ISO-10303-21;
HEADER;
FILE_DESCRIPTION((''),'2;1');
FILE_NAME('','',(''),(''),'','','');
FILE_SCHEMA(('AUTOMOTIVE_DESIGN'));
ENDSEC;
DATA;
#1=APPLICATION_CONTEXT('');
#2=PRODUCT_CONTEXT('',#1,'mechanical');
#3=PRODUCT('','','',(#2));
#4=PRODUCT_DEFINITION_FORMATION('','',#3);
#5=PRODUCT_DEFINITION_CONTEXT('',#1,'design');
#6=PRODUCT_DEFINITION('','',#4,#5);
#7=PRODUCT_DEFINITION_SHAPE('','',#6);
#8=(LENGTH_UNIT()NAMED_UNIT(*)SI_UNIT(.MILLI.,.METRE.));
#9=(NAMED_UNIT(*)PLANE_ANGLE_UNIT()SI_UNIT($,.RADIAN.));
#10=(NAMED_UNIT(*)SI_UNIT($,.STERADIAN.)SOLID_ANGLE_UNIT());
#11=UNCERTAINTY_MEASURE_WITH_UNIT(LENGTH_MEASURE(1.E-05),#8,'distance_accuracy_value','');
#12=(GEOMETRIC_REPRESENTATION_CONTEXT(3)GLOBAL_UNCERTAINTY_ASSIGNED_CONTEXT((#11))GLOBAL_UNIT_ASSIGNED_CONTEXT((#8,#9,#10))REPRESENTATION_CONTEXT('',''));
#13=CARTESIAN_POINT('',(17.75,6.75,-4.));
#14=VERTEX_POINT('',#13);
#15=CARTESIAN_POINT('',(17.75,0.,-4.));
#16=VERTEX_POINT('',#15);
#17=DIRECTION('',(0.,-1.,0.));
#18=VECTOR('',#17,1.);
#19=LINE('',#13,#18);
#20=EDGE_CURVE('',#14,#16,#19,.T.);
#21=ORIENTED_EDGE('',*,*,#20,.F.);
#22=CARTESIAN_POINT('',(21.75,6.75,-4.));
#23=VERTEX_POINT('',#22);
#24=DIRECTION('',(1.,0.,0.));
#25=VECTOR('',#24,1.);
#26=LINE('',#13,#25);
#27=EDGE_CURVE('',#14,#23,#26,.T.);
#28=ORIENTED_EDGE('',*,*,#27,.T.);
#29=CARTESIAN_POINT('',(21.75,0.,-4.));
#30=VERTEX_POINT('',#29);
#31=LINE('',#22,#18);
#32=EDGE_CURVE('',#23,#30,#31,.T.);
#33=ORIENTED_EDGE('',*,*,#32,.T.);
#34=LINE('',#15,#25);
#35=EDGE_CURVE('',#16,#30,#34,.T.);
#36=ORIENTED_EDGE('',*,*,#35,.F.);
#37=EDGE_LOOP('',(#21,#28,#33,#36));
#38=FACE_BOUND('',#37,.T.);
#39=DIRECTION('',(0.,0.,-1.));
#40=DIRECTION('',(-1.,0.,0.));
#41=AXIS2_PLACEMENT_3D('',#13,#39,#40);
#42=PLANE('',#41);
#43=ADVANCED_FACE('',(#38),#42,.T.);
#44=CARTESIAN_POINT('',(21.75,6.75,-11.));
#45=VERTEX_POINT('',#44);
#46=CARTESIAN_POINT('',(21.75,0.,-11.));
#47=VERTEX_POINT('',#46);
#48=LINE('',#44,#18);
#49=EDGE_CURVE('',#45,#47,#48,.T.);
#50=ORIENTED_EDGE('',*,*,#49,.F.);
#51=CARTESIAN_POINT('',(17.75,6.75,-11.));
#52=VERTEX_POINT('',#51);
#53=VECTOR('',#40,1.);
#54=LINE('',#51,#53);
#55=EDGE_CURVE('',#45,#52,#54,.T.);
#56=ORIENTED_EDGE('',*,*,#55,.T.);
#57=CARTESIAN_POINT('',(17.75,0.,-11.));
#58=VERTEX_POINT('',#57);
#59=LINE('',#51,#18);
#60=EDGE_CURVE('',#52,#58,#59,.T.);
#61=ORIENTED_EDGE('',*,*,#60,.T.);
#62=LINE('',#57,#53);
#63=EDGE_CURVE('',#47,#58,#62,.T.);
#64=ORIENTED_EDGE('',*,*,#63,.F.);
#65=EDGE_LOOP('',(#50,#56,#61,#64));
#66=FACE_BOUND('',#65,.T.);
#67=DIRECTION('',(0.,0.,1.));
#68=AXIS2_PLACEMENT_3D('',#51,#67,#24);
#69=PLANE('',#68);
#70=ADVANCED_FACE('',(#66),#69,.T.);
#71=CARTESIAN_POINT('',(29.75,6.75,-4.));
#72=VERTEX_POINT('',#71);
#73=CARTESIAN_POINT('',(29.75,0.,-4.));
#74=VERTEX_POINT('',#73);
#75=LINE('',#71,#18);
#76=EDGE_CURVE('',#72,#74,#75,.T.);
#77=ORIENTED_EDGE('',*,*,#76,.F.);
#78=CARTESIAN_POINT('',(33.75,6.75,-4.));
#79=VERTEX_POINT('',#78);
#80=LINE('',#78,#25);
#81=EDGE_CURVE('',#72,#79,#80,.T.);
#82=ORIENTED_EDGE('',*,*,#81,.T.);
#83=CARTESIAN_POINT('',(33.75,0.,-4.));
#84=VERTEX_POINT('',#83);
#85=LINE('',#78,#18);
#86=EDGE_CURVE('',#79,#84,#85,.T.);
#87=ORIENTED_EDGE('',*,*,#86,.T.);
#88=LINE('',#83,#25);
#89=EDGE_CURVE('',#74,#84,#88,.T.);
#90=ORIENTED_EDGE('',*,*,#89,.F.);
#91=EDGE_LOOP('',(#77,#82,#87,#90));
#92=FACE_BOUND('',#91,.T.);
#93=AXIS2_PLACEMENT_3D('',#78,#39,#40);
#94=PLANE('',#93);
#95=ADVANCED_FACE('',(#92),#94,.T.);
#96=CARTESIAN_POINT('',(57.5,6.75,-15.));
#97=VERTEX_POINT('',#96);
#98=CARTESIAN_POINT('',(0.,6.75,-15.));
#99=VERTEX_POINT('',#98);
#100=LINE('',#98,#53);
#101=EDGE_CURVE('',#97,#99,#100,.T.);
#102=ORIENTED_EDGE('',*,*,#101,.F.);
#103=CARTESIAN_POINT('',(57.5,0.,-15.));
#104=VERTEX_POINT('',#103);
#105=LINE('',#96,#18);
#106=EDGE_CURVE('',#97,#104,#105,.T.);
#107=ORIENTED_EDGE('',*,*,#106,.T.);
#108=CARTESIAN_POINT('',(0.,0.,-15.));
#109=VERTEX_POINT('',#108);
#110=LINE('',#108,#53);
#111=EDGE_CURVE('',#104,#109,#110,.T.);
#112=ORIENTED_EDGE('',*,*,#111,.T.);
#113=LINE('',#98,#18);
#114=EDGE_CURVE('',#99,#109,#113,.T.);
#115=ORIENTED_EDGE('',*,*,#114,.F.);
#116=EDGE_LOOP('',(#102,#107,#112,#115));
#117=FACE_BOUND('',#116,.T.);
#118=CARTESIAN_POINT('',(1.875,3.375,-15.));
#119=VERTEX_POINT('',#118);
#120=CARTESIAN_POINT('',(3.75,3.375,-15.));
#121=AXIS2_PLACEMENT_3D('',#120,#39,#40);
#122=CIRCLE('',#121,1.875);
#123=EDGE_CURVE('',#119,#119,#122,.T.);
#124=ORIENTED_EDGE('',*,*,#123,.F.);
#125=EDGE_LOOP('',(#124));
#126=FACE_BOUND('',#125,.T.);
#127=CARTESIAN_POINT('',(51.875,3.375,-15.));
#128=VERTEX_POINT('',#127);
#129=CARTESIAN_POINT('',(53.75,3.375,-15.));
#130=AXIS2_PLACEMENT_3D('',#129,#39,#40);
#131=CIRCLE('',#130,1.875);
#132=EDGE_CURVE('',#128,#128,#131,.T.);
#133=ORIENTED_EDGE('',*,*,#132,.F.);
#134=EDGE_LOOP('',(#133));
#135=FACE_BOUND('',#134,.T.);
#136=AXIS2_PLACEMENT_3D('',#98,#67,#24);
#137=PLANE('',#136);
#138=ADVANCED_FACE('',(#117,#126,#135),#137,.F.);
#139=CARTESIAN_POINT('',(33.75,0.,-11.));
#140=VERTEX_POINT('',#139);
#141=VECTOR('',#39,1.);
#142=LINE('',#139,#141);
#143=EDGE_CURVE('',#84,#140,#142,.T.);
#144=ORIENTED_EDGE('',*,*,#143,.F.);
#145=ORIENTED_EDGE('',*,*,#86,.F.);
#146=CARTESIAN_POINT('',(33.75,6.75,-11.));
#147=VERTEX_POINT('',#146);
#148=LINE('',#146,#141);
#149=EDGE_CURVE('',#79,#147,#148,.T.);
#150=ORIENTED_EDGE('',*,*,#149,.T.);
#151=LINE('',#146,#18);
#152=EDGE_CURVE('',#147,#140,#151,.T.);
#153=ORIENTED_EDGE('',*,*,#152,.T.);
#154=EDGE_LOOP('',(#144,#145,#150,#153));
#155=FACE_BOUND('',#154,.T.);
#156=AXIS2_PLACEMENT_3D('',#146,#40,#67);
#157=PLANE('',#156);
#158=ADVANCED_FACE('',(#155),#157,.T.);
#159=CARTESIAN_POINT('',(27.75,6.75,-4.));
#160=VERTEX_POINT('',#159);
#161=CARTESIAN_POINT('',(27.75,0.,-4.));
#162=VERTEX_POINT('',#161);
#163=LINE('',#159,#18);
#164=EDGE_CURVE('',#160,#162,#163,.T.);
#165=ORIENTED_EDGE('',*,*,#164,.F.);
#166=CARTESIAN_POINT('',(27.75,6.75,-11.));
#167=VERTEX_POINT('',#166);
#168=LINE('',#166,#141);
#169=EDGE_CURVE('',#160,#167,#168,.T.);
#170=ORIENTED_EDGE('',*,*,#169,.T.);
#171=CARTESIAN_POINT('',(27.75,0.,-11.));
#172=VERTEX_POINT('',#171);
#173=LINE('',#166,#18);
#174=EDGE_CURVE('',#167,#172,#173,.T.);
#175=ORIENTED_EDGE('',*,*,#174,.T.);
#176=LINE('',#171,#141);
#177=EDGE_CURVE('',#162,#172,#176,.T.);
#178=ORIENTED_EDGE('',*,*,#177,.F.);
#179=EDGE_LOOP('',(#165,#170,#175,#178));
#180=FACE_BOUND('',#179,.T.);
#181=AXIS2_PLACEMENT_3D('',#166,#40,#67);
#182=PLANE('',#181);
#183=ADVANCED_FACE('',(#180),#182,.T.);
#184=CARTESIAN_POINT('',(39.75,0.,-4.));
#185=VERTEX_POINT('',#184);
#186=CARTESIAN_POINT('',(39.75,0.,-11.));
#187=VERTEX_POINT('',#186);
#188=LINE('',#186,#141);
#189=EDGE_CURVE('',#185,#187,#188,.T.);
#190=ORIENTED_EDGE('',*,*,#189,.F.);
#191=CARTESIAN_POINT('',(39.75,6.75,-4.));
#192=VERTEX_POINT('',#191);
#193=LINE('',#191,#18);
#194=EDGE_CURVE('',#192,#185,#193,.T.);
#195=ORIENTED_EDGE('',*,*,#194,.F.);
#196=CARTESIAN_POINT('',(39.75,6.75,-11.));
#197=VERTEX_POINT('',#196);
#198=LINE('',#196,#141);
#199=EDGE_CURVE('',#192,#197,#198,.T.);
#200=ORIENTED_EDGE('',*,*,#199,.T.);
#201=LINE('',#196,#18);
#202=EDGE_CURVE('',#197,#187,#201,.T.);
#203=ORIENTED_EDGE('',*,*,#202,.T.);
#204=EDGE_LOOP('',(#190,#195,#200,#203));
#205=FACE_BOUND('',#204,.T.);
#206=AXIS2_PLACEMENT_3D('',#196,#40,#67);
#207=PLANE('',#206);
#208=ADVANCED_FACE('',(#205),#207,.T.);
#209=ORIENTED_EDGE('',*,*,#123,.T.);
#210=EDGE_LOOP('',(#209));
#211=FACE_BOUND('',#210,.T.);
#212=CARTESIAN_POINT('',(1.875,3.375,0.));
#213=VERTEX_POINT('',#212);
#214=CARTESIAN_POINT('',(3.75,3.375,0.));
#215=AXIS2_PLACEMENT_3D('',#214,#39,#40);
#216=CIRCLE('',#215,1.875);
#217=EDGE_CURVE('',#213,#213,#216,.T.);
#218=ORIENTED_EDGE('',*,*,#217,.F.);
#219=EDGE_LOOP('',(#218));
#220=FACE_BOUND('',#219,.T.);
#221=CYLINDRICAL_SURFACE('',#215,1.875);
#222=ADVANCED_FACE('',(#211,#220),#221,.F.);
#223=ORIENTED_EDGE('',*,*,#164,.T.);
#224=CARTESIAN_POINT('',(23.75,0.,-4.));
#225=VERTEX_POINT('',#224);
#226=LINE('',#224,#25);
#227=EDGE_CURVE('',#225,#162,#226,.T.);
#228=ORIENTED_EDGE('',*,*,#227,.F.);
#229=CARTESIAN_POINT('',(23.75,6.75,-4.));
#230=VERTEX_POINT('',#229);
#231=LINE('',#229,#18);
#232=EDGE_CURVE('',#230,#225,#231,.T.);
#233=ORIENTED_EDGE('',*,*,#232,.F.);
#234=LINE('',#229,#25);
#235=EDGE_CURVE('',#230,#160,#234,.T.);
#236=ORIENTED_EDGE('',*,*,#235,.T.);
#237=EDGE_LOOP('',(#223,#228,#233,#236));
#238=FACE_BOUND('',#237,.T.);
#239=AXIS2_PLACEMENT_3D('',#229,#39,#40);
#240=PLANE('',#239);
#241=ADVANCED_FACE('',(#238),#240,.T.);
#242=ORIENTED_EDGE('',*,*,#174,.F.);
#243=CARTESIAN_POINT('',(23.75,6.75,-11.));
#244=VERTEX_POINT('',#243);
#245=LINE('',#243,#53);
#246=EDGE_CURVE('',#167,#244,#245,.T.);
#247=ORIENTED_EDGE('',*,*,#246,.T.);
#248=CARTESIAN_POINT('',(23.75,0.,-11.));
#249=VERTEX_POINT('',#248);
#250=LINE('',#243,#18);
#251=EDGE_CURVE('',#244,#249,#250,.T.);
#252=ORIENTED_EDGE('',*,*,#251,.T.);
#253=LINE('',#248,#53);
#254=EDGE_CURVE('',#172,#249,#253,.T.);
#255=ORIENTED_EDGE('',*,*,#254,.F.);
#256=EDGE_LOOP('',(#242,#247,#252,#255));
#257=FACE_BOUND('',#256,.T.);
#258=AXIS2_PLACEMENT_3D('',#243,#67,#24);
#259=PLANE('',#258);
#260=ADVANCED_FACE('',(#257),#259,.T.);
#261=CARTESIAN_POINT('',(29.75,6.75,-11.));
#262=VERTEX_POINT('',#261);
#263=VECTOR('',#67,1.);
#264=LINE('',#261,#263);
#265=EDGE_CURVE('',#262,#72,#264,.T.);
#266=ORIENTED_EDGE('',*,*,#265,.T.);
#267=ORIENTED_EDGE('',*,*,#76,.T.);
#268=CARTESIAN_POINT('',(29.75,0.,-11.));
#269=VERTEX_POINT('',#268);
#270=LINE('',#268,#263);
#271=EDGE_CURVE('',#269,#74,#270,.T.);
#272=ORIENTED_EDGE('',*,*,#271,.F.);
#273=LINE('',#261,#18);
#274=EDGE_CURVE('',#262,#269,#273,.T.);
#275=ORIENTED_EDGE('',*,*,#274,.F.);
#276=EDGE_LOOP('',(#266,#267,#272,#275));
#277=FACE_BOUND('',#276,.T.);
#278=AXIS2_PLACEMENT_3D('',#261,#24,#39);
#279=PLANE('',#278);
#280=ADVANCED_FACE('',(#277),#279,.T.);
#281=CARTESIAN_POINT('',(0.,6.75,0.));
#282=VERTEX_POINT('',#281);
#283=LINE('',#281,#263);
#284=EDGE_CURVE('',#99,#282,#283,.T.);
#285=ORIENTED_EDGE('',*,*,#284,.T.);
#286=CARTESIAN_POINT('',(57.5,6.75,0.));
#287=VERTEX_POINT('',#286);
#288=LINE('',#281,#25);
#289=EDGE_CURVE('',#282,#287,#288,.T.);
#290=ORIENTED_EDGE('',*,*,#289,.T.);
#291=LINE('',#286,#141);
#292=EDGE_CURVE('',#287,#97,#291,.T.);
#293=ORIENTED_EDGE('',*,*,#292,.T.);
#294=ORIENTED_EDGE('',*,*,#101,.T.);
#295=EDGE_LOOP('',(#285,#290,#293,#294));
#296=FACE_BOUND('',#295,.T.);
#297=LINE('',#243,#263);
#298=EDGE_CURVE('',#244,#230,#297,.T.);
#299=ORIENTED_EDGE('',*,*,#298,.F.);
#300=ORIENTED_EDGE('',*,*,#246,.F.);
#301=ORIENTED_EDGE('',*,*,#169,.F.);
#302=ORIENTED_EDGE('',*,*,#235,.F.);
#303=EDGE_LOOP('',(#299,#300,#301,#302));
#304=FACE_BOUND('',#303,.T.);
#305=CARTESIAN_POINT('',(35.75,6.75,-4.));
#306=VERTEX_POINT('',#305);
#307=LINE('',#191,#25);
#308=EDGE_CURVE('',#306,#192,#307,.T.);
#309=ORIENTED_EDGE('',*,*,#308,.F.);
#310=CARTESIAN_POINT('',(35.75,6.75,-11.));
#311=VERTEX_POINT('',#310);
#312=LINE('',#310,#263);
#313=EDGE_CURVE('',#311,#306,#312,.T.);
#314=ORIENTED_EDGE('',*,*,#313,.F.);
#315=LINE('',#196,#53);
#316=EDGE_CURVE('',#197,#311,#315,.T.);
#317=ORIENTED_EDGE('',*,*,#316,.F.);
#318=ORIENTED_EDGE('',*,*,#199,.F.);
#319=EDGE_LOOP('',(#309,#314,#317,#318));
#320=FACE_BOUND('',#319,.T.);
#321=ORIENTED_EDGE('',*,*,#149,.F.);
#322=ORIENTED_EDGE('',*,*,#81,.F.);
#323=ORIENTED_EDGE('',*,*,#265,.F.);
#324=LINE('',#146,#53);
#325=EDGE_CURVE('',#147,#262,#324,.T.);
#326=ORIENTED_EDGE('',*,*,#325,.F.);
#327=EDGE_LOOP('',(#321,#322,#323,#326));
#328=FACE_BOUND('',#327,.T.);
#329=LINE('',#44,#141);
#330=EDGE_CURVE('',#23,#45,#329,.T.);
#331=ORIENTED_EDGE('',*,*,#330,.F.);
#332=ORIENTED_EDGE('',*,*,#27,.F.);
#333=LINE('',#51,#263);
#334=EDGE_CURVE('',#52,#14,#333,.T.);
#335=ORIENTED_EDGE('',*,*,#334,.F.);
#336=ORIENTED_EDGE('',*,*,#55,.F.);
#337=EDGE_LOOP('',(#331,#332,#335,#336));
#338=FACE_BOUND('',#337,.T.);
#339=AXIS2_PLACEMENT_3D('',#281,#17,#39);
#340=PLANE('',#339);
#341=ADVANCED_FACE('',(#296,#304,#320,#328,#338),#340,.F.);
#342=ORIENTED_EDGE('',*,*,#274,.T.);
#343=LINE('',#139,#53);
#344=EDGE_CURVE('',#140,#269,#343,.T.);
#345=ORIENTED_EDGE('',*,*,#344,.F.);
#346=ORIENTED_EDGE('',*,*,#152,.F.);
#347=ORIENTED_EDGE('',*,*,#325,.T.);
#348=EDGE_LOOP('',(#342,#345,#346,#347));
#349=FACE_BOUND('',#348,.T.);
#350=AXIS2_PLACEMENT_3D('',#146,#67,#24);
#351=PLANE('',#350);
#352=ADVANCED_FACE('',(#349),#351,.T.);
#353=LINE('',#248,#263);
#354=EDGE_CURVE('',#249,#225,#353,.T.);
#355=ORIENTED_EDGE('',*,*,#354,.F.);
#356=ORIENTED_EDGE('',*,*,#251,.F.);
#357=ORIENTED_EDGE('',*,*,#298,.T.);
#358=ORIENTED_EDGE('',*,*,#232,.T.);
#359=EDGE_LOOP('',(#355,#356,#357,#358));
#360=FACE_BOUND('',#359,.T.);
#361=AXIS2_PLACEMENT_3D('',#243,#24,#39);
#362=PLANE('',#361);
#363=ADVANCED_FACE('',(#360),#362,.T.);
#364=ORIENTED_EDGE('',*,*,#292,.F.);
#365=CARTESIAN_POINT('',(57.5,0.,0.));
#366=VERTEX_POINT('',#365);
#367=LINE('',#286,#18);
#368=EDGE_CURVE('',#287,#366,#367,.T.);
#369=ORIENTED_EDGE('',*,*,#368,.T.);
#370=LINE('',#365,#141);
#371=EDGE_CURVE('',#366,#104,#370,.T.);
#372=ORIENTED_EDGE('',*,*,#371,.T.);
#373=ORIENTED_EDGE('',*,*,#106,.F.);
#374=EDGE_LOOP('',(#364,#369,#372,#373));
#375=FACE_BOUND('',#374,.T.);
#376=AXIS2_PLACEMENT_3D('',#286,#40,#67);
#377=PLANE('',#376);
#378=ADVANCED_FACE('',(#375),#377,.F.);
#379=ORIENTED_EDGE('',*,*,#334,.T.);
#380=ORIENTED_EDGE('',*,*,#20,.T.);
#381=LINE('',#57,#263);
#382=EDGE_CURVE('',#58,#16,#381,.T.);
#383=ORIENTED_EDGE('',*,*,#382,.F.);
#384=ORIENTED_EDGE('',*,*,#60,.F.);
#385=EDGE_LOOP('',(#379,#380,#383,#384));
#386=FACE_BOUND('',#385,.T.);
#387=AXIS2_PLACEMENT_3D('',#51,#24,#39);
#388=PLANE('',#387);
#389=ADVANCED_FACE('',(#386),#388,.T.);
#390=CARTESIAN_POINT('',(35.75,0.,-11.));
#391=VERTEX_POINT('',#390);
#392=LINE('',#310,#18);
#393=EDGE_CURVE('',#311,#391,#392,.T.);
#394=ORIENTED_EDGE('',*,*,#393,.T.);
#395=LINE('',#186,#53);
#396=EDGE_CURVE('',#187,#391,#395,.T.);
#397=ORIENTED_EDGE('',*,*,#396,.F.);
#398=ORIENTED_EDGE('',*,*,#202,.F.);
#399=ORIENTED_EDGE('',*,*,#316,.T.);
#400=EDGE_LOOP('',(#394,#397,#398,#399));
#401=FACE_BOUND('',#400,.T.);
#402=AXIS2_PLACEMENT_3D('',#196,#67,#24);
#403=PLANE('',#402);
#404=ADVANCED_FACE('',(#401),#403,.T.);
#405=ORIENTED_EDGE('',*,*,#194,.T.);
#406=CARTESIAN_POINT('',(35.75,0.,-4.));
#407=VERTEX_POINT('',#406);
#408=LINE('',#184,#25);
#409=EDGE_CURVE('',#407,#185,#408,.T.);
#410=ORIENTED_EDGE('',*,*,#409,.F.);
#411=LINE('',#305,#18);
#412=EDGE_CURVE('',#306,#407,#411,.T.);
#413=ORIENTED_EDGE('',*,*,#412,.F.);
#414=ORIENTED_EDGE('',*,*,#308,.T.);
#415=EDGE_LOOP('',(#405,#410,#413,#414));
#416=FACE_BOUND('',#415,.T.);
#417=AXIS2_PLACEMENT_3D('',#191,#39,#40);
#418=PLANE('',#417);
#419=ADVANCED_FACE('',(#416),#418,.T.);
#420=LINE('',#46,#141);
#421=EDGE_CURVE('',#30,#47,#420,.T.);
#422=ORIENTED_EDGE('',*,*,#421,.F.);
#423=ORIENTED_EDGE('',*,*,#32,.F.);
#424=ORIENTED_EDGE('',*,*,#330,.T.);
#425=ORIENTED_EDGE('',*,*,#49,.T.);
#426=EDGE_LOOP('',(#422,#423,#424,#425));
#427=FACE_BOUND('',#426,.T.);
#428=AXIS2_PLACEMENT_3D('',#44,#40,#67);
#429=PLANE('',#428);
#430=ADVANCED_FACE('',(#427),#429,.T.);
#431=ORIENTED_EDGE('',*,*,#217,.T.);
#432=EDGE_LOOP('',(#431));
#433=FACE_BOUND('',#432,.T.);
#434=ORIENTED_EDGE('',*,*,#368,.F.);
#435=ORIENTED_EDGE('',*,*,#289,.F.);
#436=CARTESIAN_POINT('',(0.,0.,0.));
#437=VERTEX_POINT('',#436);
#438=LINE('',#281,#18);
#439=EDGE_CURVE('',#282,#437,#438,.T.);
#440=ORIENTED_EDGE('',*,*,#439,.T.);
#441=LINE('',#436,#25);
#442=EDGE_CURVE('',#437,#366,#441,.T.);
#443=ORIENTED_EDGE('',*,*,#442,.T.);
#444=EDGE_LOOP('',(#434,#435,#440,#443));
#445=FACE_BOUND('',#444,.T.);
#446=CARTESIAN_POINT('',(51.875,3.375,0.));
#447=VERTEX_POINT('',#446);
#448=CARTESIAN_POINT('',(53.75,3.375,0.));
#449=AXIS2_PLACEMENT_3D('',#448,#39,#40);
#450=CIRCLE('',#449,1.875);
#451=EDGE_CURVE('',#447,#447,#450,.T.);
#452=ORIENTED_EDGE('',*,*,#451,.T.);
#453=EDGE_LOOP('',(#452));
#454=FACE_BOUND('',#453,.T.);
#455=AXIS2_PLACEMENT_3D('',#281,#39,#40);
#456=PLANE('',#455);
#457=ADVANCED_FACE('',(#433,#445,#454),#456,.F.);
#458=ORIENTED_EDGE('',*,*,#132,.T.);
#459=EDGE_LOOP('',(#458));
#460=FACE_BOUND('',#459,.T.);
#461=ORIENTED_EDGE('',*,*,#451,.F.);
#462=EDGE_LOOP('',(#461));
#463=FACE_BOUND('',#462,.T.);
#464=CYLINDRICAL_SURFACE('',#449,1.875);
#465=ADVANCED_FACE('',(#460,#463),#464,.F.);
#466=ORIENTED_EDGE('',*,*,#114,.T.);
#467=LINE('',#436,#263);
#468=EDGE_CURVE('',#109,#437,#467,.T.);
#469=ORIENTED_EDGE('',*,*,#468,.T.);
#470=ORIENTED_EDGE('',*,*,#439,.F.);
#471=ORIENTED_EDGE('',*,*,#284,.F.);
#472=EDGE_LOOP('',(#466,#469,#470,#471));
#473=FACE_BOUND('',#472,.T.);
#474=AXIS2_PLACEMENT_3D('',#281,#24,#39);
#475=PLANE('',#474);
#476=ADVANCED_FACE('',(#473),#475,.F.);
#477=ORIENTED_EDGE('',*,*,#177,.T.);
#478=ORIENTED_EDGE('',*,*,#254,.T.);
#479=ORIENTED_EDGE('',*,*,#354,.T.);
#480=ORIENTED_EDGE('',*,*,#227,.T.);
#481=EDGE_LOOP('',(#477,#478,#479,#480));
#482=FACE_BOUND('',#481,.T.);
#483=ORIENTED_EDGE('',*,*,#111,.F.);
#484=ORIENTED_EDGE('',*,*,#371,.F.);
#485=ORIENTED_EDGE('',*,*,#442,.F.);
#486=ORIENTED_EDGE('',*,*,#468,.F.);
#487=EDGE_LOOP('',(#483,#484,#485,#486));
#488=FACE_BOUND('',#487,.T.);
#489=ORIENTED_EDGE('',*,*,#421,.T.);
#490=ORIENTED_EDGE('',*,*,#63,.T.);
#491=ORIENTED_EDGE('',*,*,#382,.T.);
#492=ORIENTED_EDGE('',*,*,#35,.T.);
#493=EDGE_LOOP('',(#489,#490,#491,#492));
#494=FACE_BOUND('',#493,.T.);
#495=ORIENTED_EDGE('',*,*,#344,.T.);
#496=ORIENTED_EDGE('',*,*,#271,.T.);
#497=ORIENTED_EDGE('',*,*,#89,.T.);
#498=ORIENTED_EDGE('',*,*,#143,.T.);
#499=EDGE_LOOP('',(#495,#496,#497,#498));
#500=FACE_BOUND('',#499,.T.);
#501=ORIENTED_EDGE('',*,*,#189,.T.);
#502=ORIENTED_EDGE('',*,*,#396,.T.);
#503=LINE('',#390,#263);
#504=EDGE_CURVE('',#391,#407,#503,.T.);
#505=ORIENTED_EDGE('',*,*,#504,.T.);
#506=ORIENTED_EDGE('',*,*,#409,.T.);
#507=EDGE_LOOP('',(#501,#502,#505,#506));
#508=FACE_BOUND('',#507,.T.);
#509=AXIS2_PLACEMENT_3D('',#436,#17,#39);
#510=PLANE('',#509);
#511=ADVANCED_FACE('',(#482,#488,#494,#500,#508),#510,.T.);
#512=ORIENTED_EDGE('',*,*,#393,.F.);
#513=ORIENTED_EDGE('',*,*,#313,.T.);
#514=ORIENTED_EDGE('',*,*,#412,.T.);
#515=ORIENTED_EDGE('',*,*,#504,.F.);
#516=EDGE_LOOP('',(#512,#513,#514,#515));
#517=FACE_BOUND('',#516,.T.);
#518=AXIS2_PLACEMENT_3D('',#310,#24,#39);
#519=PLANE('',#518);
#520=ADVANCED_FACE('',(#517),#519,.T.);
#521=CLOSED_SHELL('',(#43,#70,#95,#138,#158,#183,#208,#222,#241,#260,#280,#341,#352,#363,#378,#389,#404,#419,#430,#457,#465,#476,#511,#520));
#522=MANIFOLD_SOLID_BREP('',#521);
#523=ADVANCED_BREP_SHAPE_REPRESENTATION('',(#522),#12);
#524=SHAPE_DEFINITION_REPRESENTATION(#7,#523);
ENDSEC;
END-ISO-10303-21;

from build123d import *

# Parameters (mm, degrees)
SKETCH1_W           = 57.5
SKETCH1_H           = 15
SKETCH1_W_2         = 4
SKETCH1_H_2         = 7
BOSS_EXTRUDE1_DEPTH = 6.75
SKETCH2_R           = 1.875
CUT_EXTRUDE1_DEPTH  = 60.806458681


with BuildPart() as part:
    # Sketch1 → Boss-Extrude1 (new body)
    with BuildSketch(Plane(origin=(0, 0, 0), x_dir=(1, 0, 0), z_dir=(0, 1, 0))):
        with Locations((28.75, 7.5)):
            Rectangle(SKETCH1_W, SKETCH1_H)
        with Locations((19.75, 7.5)):
            Rectangle(SKETCH1_W_2, SKETCH1_H_2, mode=Mode.SUBTRACT)
        with Locations((25.75, 7.5)):
            Rectangle(SKETCH1_W_2, SKETCH1_H_2, mode=Mode.SUBTRACT)
        with Locations((31.75, 7.5)):
            Rectangle(SKETCH1_W_2, SKETCH1_H_2, mode=Mode.SUBTRACT)
        with Locations((37.75, 7.5)):
            Rectangle(SKETCH1_W_2, SKETCH1_H_2, mode=Mode.SUBTRACT)
    extrude(amount=BOSS_EXTRUDE1_DEPTH)

    # Sketch2 → Cut-Extrude1 (cut, through all)
    with BuildSketch(Plane(origin=(0, 0, -15), x_dir=(-1, 0, 0), z_dir=(0, 0, -1))):
        with Locations((-53.75, 3.375)):
            Circle(SKETCH2_R)
        with Locations((-3.75, 3.375)):
            Circle(SKETCH2_R)
    extrude(amount=-CUT_EXTRUDE1_DEPTH, mode=Mode.SUBTRACT)


solid = part.part
